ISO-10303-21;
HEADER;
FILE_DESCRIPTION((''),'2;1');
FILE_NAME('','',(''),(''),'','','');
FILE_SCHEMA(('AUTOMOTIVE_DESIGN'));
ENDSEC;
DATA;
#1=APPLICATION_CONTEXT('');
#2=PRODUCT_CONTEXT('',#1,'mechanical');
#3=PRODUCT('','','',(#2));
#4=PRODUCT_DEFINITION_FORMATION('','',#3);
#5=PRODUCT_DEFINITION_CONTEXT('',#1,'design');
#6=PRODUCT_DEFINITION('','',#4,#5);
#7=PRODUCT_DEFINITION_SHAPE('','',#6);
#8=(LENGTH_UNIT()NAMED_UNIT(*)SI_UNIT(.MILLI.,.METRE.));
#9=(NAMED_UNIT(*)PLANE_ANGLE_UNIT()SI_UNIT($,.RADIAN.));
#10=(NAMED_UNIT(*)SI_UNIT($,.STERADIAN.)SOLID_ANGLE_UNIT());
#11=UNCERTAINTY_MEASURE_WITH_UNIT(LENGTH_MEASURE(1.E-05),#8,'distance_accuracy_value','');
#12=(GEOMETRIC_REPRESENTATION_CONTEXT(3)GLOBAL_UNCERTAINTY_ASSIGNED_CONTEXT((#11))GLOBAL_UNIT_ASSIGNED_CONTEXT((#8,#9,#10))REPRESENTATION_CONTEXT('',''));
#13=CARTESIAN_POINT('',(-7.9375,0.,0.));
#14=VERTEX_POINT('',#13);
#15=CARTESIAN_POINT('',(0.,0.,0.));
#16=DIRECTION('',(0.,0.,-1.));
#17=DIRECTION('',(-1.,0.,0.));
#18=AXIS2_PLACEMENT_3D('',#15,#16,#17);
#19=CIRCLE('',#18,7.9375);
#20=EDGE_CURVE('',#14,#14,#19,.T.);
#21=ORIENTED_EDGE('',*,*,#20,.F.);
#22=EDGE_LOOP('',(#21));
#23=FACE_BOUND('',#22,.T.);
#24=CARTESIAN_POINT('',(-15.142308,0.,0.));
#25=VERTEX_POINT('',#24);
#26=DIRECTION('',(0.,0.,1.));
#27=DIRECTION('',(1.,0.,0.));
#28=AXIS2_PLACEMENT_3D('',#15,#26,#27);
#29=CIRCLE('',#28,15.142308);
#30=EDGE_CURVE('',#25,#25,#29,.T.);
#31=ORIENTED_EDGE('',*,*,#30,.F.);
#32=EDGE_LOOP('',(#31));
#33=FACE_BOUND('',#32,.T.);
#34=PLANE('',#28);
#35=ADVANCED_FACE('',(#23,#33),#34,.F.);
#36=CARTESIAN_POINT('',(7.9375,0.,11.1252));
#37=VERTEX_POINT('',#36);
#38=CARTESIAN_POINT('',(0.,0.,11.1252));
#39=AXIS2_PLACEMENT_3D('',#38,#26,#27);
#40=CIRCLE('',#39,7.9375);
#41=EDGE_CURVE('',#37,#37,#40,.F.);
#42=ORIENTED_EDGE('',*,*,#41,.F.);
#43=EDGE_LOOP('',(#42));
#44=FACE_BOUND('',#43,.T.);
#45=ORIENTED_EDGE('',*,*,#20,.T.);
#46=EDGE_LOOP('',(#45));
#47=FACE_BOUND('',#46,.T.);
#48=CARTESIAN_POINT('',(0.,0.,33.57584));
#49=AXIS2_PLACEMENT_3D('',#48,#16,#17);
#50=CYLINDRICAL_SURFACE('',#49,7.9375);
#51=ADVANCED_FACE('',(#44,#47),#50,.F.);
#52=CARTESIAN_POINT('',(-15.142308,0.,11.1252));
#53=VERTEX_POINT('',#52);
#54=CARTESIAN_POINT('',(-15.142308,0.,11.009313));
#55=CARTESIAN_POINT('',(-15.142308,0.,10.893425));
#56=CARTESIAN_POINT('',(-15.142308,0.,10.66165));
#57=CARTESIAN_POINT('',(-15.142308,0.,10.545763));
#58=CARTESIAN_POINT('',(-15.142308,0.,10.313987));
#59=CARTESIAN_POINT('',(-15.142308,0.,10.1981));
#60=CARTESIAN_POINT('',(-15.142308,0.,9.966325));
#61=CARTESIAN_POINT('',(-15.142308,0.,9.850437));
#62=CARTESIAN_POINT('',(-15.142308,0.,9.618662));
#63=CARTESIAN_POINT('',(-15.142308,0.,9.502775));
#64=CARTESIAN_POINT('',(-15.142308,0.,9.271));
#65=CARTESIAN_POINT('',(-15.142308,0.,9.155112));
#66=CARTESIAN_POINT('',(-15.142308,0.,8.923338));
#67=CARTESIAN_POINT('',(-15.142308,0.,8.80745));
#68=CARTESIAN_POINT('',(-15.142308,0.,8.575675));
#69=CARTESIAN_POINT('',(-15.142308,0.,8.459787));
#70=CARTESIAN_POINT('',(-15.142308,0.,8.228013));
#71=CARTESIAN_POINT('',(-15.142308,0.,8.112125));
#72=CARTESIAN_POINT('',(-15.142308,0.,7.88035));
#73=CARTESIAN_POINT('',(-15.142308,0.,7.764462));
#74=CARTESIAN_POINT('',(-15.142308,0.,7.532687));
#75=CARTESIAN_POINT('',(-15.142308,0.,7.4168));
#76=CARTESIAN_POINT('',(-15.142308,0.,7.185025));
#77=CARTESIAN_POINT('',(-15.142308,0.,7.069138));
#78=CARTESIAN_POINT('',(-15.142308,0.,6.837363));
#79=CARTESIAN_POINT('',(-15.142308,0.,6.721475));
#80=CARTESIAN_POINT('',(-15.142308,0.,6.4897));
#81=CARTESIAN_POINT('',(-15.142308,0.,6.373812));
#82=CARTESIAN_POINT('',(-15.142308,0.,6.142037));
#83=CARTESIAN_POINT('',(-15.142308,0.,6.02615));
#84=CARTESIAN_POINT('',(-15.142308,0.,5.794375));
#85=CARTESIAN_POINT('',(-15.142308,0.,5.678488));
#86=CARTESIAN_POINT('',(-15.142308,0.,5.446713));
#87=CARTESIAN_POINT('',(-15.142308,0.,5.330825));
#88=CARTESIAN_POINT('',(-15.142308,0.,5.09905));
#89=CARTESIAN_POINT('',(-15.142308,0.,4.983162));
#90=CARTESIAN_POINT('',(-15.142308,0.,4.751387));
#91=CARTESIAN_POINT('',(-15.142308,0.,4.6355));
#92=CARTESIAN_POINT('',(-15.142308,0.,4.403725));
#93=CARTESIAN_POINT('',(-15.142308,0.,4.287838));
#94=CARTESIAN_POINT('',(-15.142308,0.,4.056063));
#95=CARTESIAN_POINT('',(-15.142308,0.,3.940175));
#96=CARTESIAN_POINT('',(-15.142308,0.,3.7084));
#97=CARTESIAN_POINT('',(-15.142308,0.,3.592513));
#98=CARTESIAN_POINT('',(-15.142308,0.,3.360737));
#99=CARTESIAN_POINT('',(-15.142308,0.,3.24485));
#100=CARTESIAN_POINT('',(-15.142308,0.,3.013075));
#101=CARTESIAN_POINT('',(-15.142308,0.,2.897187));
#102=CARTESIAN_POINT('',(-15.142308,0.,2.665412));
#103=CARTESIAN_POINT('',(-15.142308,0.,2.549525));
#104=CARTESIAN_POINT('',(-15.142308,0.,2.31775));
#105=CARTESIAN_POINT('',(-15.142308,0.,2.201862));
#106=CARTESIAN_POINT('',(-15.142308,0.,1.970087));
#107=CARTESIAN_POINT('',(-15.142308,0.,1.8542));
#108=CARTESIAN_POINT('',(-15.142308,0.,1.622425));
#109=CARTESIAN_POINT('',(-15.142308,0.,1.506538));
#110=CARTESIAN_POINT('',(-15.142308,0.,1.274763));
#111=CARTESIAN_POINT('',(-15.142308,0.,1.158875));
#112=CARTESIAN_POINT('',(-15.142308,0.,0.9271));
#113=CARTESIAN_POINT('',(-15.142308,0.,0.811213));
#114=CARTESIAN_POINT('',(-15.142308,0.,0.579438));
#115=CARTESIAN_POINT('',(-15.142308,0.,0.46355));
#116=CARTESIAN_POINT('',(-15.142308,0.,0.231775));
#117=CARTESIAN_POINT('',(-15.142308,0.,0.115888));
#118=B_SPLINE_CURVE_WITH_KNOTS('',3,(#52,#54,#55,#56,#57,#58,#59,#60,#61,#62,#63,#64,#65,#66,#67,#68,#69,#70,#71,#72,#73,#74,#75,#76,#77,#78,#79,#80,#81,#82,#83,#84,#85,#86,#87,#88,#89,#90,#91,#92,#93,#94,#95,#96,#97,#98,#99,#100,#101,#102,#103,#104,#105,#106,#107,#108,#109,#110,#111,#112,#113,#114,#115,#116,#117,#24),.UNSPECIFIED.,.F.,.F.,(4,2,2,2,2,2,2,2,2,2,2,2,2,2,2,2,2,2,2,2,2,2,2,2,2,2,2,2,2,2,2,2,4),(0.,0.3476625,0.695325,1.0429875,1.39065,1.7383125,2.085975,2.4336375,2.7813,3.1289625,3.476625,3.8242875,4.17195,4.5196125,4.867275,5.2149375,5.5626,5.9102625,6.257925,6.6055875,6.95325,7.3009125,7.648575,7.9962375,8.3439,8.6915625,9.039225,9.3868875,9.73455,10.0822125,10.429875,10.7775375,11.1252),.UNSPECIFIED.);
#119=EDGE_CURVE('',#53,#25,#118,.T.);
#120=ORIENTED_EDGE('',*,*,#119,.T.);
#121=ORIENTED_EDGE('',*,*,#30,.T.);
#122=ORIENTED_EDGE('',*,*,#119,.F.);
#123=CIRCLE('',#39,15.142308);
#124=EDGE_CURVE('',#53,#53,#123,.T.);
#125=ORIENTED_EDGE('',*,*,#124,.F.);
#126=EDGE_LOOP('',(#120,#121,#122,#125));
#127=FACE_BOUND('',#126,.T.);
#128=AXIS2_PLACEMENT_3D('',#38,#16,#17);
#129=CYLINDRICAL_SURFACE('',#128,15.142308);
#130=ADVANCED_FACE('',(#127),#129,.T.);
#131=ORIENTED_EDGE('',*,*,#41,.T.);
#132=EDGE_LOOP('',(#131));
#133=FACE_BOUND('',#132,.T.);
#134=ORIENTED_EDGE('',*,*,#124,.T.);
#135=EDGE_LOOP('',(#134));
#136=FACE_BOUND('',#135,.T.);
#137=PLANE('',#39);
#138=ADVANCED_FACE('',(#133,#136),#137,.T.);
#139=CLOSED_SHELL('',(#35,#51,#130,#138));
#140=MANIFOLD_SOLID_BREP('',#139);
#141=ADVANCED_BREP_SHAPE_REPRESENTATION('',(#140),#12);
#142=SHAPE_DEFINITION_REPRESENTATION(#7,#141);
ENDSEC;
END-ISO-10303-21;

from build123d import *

# Parameters (mm, degrees)
SKETCH1_R           = 15.142307663
BOSS_EXTRUDE1_DEPTH = 11.1252
SKETCH2_R           = 7.9375
CUT_EXTRUDE1_DEPTH  = 11.1252


with BuildPart() as part:
    # Sketch1 → Boss-Extrude1 (new body)
    with BuildSketch(Plane.XY):
        with Locations(Location((0, 0, 0), (0, 0, 180))):
            Circle(SKETCH1_R)
    extrude(amount=BOSS_EXTRUDE1_DEPTH)

    # Sketch2 → Cut-Extrude1 (cut)
    with BuildSketch(Plane(origin=(0, 0, 0), x_dir=(-1, 0, 0), z_dir=(0, 0, -1))):
        Circle(SKETCH2_R)
    extrude(amount=-CUT_EXTRUDE1_DEPTH, mode=Mode.SUBTRACT)


solid = part.part
